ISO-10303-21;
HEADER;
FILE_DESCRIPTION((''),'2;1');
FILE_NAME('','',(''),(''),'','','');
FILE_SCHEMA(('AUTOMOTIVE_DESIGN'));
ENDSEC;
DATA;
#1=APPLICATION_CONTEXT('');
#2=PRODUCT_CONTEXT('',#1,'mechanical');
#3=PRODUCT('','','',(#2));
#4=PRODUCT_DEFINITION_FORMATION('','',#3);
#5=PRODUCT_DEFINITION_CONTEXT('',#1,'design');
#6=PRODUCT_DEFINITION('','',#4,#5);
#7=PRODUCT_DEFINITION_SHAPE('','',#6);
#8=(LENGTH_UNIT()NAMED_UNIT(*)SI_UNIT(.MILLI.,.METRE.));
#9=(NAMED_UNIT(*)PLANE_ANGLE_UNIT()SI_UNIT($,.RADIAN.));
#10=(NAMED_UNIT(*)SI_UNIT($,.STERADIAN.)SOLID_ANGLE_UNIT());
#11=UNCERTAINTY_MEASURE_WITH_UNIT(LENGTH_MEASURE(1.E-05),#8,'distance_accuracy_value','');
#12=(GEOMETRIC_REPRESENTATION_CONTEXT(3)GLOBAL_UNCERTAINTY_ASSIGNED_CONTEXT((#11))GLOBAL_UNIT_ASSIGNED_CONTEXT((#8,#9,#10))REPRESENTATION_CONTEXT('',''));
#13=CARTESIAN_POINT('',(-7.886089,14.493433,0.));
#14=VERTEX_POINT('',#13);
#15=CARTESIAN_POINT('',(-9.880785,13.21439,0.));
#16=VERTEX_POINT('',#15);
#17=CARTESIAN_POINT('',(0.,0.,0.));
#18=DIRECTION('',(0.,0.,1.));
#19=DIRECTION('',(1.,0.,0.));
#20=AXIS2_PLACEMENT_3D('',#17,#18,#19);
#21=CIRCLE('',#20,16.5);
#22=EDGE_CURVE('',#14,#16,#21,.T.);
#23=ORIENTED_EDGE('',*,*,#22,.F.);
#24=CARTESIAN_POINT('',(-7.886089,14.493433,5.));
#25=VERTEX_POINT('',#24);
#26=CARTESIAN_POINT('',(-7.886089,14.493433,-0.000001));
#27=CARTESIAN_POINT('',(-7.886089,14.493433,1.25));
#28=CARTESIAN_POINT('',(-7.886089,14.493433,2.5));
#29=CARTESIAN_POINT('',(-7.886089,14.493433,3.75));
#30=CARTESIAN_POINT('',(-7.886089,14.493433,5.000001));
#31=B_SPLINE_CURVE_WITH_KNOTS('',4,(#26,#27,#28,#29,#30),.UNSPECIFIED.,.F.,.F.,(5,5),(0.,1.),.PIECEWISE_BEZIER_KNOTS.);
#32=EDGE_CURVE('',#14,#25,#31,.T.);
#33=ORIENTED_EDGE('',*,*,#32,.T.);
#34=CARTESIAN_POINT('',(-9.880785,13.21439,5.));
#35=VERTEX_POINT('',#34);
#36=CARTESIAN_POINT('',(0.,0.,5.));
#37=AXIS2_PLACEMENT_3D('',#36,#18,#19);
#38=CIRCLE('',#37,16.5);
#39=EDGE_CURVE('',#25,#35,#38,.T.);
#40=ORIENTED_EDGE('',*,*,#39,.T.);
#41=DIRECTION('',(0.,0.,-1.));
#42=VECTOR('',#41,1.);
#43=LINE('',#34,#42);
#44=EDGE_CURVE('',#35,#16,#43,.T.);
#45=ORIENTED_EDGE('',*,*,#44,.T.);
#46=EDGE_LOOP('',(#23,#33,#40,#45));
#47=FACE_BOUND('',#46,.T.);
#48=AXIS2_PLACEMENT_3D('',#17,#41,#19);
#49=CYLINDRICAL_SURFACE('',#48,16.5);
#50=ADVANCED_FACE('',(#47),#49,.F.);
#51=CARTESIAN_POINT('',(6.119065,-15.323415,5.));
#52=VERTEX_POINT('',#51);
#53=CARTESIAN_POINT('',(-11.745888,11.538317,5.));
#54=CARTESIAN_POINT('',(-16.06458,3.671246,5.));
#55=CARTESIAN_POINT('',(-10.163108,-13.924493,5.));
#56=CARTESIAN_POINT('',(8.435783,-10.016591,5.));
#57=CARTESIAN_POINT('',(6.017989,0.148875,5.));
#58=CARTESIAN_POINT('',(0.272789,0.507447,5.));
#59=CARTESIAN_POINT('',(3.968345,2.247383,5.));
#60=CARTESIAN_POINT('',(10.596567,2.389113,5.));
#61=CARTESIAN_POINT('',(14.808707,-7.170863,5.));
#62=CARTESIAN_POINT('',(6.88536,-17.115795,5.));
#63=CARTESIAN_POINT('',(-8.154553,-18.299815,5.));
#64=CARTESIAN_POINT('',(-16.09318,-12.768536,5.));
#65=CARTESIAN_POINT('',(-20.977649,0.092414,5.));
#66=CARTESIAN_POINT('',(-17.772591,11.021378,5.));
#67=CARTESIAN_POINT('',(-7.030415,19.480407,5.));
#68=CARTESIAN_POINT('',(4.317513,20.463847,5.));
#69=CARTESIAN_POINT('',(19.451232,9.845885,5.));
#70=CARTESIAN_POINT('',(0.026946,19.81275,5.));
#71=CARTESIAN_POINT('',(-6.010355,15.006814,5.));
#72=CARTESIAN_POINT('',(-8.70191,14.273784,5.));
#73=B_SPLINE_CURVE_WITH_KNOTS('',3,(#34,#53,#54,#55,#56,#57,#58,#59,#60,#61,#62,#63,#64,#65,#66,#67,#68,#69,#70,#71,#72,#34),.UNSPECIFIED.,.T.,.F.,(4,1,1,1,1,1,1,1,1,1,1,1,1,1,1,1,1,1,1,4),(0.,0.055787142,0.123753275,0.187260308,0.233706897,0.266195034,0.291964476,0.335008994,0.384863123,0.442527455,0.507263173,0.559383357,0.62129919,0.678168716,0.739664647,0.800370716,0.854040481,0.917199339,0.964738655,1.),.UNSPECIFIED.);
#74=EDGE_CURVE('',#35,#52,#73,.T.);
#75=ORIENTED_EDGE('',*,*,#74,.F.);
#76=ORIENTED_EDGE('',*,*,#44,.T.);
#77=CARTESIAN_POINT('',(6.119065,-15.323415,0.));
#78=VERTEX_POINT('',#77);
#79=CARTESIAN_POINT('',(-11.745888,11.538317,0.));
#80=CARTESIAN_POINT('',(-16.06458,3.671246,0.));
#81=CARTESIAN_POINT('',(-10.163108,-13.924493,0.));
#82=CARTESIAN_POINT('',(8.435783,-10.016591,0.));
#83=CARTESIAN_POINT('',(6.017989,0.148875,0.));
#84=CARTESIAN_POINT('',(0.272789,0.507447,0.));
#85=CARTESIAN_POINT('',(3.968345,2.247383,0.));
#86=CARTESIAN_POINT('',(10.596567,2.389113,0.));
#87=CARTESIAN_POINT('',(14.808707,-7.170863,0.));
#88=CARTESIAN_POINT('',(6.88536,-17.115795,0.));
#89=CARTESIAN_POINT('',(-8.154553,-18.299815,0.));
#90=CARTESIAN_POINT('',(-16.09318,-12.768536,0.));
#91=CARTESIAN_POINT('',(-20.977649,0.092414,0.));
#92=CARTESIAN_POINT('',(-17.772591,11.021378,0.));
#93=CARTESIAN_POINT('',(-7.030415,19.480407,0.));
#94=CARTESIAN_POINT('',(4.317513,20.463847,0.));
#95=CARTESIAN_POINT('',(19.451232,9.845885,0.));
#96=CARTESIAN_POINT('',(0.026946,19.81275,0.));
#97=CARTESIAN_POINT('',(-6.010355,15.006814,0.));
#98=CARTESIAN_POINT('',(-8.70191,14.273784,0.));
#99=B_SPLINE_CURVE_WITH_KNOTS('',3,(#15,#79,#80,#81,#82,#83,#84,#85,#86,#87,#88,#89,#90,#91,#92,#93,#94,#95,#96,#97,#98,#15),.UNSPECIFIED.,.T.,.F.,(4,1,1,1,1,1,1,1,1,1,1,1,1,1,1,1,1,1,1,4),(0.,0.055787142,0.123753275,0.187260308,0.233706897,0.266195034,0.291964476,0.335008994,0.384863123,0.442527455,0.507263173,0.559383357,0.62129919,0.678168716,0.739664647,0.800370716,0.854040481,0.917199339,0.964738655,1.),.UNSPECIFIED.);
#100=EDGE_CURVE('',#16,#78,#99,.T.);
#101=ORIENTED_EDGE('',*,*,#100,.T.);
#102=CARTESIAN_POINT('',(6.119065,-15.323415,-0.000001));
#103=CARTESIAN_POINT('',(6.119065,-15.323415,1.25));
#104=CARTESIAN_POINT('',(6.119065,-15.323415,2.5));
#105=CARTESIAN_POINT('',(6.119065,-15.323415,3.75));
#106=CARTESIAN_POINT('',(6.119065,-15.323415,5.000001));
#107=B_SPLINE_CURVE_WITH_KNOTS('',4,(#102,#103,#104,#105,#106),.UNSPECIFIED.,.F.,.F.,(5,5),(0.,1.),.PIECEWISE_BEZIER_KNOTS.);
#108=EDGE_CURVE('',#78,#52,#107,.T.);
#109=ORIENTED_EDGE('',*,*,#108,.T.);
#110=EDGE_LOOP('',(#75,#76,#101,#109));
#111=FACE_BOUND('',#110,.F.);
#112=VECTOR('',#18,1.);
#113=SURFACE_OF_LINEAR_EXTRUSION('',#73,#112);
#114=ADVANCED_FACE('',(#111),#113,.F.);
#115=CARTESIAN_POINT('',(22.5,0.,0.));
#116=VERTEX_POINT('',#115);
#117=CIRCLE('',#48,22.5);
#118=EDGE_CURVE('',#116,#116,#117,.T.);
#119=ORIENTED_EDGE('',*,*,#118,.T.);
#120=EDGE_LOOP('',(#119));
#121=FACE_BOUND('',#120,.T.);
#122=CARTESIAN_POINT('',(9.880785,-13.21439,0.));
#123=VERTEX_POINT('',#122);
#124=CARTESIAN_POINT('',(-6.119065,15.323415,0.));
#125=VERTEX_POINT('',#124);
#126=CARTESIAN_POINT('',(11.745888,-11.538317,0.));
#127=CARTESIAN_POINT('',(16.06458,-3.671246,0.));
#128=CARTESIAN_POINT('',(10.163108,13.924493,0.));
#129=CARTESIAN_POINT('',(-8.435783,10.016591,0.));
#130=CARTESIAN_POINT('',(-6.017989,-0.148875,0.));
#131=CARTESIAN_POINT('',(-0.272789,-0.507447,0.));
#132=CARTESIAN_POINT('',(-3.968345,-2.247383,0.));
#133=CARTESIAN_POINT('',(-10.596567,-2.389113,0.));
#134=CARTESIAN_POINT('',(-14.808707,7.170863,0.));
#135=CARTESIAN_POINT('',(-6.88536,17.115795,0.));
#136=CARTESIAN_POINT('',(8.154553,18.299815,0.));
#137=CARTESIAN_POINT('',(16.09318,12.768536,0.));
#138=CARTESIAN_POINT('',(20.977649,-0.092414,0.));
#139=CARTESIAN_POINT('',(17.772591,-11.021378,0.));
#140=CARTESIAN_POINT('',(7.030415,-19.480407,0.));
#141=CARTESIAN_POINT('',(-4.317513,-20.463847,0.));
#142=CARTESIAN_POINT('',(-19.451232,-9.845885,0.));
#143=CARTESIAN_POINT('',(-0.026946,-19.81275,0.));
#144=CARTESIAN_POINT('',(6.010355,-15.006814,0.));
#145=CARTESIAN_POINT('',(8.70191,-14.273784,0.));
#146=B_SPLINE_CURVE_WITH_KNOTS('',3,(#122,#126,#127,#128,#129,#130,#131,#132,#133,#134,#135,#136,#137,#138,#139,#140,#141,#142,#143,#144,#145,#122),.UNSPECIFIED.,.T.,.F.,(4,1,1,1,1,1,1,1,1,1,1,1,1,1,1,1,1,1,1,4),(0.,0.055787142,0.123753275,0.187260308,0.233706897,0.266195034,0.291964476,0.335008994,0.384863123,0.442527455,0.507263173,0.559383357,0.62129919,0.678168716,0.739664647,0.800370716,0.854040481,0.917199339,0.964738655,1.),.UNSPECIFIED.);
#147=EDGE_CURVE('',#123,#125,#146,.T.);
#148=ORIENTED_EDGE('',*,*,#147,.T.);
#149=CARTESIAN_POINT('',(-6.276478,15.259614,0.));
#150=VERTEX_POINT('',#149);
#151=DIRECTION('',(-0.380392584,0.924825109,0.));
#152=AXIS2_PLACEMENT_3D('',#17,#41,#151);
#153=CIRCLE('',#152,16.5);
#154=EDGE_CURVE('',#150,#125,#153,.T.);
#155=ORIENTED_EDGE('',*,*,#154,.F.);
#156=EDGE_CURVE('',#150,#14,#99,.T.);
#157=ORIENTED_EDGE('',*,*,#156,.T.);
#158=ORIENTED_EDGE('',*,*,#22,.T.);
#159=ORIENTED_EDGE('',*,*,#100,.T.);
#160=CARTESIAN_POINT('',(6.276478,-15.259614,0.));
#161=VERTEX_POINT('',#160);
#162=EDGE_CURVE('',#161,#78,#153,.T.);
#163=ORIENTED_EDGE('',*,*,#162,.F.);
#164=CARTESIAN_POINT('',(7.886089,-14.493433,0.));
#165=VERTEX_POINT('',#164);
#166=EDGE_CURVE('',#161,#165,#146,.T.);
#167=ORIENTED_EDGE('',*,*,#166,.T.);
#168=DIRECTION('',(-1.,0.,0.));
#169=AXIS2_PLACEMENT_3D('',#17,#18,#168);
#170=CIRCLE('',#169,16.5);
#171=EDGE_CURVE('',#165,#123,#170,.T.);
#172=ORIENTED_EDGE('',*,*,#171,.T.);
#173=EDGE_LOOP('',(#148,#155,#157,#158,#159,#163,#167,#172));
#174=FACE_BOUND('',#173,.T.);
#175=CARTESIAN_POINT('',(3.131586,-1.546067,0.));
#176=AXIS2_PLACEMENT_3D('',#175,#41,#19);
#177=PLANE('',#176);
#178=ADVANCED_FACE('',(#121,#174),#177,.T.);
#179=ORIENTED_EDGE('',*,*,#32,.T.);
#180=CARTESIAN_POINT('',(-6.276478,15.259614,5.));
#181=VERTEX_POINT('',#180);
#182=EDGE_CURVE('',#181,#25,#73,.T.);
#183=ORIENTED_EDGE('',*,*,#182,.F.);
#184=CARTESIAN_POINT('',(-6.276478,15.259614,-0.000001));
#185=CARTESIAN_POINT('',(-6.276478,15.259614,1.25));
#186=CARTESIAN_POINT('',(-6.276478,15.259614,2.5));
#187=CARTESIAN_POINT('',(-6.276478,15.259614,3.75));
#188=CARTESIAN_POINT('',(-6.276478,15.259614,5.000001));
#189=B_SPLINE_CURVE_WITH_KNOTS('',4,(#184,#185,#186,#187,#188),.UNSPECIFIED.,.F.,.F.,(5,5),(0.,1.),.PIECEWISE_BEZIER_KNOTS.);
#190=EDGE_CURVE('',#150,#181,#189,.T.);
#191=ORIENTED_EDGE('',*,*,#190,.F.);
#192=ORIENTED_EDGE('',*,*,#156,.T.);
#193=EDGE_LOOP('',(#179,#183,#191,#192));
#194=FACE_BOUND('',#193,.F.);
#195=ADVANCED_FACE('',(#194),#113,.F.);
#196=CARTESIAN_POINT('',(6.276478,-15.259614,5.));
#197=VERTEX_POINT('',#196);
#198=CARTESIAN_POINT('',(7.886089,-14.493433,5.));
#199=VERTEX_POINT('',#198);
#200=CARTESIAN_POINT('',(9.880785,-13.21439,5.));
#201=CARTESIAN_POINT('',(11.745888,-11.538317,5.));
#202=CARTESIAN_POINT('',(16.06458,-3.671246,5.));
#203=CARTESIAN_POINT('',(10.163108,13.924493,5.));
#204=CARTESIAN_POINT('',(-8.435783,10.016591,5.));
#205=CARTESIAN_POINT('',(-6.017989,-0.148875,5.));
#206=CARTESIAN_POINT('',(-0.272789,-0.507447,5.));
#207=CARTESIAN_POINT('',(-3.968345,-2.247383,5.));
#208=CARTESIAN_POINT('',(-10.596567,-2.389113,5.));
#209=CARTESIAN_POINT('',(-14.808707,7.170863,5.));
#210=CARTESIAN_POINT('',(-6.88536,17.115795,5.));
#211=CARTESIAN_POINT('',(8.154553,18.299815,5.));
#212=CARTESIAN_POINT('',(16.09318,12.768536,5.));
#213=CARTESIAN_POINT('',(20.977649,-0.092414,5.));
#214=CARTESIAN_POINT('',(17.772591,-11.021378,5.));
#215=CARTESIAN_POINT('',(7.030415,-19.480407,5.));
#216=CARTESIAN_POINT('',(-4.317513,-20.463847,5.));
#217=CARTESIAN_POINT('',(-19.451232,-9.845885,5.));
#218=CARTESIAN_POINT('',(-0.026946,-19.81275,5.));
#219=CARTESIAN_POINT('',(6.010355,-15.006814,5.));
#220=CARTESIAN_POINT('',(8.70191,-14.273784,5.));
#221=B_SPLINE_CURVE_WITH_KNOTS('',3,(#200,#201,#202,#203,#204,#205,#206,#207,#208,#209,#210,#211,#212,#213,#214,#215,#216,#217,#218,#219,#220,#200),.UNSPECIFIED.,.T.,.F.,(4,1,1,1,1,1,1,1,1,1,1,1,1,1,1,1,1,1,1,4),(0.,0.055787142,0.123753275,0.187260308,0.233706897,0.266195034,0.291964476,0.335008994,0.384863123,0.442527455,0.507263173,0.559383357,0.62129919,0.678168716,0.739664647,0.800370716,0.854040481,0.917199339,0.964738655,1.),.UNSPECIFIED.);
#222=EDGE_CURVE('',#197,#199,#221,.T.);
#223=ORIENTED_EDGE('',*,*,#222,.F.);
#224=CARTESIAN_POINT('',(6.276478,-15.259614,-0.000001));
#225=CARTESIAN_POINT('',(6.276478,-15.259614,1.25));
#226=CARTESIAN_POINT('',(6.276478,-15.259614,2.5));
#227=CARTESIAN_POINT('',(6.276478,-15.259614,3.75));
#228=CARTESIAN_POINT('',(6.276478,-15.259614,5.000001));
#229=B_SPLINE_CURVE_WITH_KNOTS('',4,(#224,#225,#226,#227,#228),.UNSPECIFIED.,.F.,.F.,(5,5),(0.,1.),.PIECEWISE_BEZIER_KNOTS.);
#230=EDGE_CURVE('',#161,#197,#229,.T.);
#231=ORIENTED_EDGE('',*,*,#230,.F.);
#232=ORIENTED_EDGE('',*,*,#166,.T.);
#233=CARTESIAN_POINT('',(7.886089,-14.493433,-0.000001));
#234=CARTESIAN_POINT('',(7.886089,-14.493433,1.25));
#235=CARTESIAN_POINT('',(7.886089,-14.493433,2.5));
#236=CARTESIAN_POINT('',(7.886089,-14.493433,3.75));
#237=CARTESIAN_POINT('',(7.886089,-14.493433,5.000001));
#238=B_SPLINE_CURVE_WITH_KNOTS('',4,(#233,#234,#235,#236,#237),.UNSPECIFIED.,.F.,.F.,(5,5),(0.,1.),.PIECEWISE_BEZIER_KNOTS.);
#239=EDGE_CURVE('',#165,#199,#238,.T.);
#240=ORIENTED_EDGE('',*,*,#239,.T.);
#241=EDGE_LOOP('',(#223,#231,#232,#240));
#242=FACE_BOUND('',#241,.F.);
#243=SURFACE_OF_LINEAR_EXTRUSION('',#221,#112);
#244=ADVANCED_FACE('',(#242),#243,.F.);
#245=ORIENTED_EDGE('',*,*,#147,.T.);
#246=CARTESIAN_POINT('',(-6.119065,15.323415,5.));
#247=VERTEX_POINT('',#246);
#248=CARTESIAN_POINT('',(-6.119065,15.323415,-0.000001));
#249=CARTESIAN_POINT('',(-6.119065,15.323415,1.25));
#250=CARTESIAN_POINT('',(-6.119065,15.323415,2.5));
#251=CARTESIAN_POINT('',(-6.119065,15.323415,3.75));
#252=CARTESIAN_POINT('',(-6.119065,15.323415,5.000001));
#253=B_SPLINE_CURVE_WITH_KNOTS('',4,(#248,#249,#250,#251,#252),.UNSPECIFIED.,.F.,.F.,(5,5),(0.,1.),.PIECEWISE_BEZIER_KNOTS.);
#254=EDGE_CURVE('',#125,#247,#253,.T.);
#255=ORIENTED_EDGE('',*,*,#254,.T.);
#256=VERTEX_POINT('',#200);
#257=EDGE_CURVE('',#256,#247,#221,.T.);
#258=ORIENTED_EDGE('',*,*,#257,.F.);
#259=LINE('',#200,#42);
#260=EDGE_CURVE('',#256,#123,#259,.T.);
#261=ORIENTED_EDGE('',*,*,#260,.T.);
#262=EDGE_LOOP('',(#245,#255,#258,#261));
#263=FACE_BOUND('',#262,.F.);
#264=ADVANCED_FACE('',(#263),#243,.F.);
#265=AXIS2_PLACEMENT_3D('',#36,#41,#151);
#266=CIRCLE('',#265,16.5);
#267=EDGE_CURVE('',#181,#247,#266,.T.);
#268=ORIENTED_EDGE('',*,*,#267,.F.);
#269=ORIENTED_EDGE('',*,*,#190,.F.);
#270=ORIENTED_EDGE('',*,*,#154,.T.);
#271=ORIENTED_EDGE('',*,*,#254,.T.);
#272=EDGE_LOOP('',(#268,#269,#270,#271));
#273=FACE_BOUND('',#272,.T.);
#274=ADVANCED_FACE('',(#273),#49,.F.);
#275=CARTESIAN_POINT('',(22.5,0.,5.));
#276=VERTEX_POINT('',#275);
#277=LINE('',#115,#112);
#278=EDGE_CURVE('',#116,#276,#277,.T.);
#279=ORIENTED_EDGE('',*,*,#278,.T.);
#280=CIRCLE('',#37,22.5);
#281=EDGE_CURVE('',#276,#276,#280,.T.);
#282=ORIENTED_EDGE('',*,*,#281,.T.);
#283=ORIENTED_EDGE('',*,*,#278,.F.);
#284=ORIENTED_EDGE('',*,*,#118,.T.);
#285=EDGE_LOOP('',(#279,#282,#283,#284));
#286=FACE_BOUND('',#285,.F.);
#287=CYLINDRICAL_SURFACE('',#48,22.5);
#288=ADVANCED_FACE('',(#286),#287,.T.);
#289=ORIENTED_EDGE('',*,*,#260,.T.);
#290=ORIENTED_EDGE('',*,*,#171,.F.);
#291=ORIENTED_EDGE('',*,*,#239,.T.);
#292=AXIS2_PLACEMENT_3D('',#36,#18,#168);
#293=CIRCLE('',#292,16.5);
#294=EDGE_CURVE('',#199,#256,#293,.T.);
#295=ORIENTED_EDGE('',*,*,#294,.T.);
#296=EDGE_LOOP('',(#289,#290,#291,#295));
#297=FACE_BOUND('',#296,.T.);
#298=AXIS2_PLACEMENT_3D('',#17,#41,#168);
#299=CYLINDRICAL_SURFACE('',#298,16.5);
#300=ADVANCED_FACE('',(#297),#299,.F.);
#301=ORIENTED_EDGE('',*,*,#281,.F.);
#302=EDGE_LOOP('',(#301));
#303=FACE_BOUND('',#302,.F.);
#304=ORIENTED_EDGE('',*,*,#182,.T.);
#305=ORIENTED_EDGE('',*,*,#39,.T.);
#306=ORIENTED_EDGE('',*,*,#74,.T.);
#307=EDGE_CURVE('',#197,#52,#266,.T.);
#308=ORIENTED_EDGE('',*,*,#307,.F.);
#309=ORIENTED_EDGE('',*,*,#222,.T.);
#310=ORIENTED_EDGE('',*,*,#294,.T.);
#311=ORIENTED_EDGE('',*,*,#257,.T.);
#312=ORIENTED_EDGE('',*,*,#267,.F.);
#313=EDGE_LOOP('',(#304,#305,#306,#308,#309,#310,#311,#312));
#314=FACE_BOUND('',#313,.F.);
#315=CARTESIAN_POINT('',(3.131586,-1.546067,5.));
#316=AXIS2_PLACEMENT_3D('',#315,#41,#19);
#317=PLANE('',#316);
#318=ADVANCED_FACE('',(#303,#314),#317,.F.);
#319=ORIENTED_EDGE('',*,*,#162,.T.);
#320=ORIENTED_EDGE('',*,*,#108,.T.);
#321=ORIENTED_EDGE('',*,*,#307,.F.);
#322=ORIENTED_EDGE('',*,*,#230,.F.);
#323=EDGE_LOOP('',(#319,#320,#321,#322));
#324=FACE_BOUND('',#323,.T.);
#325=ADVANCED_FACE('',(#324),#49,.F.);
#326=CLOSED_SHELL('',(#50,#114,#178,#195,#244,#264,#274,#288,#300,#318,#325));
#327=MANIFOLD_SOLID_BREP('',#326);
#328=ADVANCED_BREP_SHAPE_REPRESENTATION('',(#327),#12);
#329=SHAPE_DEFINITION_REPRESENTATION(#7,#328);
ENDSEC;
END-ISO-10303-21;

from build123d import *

# Parameters (mm, degrees)
F0_R     = 22.5
F0_R_2   = 16.5
F1_DEPTH = 5
F3_DEPTH = 5
F5_COUNT = 2


with BuildPart() as f1:
    # F0 (on Top) → F1 (new body)
    with BuildSketch(Plane.XY):
        Circle(F0_R)
        Circle(F0_R_2, mode=Mode.SUBTRACT)
    extrude(amount=F1_DEPTH)

    # F2 (on face) → F3 (join, through all)
    with BuildSketch(Plane.XY.offset(5)):
        with BuildLine():
            add(Edge.make_bspline(
                [(-9.8807848162, 13.214389559), (-11.7458879603, 11.538317243), (-16.0645797351, 3.6712464326), (-10.1631077141, -13.9244927875), (8.435782648, -10.0165913702), (6.0179885094, 0.1488749038), (0.2727886077, 0.5074473788), (3.9683446978, 2.2473833588), (10.5965668148, 2.3891128473), (14.8087073789, -7.1708634786), (6.8853602241, -17.1157953), (-8.1545530295, -18.2998153147), (-16.0931799093, -12.7685357962), (-20.9776485197, 0.0924136968), (-17.772591, 11.0213781472), (-7.030414518, 19.4804071388), (4.3175125262, 20.4638472645), (19.451231853, 9.8458846452), (0.0269456368, 19.8127497057), (-6.0103551415, 15.0068143621), (-8.7019101923, 14.2737835808), (-9.8807848162, 13.214389559)],
                knots=[0, 0, 0, 0, 0.0557871417, 0.1237532752, 0.1872603078, 0.2337068973, 0.2661950343, 0.2919644763, 0.3350089939, 0.3848631234, 0.4425274554, 0.507263173, 0.5593833571, 0.6212991901, 0.6781687165, 0.7396646471, 0.8003707157, 0.8540404812, 0.9171993391, 0.9647386549, 1, 1, 1, 1], degree=3))
        make_face()
    extrude(amount=-F3_DEPTH)

    # F5: F1 ×2 about axis
    f5_axis = Axis((0, 0, -1.7723124474), (0, 0, -1))


with BuildPart() as f1_1:
    add(f1.part)
    for i in range(1, F5_COUNT):
        add(f1.part.rotate(f5_axis, i * 360 / F5_COUNT))


solid = f1_1.part
